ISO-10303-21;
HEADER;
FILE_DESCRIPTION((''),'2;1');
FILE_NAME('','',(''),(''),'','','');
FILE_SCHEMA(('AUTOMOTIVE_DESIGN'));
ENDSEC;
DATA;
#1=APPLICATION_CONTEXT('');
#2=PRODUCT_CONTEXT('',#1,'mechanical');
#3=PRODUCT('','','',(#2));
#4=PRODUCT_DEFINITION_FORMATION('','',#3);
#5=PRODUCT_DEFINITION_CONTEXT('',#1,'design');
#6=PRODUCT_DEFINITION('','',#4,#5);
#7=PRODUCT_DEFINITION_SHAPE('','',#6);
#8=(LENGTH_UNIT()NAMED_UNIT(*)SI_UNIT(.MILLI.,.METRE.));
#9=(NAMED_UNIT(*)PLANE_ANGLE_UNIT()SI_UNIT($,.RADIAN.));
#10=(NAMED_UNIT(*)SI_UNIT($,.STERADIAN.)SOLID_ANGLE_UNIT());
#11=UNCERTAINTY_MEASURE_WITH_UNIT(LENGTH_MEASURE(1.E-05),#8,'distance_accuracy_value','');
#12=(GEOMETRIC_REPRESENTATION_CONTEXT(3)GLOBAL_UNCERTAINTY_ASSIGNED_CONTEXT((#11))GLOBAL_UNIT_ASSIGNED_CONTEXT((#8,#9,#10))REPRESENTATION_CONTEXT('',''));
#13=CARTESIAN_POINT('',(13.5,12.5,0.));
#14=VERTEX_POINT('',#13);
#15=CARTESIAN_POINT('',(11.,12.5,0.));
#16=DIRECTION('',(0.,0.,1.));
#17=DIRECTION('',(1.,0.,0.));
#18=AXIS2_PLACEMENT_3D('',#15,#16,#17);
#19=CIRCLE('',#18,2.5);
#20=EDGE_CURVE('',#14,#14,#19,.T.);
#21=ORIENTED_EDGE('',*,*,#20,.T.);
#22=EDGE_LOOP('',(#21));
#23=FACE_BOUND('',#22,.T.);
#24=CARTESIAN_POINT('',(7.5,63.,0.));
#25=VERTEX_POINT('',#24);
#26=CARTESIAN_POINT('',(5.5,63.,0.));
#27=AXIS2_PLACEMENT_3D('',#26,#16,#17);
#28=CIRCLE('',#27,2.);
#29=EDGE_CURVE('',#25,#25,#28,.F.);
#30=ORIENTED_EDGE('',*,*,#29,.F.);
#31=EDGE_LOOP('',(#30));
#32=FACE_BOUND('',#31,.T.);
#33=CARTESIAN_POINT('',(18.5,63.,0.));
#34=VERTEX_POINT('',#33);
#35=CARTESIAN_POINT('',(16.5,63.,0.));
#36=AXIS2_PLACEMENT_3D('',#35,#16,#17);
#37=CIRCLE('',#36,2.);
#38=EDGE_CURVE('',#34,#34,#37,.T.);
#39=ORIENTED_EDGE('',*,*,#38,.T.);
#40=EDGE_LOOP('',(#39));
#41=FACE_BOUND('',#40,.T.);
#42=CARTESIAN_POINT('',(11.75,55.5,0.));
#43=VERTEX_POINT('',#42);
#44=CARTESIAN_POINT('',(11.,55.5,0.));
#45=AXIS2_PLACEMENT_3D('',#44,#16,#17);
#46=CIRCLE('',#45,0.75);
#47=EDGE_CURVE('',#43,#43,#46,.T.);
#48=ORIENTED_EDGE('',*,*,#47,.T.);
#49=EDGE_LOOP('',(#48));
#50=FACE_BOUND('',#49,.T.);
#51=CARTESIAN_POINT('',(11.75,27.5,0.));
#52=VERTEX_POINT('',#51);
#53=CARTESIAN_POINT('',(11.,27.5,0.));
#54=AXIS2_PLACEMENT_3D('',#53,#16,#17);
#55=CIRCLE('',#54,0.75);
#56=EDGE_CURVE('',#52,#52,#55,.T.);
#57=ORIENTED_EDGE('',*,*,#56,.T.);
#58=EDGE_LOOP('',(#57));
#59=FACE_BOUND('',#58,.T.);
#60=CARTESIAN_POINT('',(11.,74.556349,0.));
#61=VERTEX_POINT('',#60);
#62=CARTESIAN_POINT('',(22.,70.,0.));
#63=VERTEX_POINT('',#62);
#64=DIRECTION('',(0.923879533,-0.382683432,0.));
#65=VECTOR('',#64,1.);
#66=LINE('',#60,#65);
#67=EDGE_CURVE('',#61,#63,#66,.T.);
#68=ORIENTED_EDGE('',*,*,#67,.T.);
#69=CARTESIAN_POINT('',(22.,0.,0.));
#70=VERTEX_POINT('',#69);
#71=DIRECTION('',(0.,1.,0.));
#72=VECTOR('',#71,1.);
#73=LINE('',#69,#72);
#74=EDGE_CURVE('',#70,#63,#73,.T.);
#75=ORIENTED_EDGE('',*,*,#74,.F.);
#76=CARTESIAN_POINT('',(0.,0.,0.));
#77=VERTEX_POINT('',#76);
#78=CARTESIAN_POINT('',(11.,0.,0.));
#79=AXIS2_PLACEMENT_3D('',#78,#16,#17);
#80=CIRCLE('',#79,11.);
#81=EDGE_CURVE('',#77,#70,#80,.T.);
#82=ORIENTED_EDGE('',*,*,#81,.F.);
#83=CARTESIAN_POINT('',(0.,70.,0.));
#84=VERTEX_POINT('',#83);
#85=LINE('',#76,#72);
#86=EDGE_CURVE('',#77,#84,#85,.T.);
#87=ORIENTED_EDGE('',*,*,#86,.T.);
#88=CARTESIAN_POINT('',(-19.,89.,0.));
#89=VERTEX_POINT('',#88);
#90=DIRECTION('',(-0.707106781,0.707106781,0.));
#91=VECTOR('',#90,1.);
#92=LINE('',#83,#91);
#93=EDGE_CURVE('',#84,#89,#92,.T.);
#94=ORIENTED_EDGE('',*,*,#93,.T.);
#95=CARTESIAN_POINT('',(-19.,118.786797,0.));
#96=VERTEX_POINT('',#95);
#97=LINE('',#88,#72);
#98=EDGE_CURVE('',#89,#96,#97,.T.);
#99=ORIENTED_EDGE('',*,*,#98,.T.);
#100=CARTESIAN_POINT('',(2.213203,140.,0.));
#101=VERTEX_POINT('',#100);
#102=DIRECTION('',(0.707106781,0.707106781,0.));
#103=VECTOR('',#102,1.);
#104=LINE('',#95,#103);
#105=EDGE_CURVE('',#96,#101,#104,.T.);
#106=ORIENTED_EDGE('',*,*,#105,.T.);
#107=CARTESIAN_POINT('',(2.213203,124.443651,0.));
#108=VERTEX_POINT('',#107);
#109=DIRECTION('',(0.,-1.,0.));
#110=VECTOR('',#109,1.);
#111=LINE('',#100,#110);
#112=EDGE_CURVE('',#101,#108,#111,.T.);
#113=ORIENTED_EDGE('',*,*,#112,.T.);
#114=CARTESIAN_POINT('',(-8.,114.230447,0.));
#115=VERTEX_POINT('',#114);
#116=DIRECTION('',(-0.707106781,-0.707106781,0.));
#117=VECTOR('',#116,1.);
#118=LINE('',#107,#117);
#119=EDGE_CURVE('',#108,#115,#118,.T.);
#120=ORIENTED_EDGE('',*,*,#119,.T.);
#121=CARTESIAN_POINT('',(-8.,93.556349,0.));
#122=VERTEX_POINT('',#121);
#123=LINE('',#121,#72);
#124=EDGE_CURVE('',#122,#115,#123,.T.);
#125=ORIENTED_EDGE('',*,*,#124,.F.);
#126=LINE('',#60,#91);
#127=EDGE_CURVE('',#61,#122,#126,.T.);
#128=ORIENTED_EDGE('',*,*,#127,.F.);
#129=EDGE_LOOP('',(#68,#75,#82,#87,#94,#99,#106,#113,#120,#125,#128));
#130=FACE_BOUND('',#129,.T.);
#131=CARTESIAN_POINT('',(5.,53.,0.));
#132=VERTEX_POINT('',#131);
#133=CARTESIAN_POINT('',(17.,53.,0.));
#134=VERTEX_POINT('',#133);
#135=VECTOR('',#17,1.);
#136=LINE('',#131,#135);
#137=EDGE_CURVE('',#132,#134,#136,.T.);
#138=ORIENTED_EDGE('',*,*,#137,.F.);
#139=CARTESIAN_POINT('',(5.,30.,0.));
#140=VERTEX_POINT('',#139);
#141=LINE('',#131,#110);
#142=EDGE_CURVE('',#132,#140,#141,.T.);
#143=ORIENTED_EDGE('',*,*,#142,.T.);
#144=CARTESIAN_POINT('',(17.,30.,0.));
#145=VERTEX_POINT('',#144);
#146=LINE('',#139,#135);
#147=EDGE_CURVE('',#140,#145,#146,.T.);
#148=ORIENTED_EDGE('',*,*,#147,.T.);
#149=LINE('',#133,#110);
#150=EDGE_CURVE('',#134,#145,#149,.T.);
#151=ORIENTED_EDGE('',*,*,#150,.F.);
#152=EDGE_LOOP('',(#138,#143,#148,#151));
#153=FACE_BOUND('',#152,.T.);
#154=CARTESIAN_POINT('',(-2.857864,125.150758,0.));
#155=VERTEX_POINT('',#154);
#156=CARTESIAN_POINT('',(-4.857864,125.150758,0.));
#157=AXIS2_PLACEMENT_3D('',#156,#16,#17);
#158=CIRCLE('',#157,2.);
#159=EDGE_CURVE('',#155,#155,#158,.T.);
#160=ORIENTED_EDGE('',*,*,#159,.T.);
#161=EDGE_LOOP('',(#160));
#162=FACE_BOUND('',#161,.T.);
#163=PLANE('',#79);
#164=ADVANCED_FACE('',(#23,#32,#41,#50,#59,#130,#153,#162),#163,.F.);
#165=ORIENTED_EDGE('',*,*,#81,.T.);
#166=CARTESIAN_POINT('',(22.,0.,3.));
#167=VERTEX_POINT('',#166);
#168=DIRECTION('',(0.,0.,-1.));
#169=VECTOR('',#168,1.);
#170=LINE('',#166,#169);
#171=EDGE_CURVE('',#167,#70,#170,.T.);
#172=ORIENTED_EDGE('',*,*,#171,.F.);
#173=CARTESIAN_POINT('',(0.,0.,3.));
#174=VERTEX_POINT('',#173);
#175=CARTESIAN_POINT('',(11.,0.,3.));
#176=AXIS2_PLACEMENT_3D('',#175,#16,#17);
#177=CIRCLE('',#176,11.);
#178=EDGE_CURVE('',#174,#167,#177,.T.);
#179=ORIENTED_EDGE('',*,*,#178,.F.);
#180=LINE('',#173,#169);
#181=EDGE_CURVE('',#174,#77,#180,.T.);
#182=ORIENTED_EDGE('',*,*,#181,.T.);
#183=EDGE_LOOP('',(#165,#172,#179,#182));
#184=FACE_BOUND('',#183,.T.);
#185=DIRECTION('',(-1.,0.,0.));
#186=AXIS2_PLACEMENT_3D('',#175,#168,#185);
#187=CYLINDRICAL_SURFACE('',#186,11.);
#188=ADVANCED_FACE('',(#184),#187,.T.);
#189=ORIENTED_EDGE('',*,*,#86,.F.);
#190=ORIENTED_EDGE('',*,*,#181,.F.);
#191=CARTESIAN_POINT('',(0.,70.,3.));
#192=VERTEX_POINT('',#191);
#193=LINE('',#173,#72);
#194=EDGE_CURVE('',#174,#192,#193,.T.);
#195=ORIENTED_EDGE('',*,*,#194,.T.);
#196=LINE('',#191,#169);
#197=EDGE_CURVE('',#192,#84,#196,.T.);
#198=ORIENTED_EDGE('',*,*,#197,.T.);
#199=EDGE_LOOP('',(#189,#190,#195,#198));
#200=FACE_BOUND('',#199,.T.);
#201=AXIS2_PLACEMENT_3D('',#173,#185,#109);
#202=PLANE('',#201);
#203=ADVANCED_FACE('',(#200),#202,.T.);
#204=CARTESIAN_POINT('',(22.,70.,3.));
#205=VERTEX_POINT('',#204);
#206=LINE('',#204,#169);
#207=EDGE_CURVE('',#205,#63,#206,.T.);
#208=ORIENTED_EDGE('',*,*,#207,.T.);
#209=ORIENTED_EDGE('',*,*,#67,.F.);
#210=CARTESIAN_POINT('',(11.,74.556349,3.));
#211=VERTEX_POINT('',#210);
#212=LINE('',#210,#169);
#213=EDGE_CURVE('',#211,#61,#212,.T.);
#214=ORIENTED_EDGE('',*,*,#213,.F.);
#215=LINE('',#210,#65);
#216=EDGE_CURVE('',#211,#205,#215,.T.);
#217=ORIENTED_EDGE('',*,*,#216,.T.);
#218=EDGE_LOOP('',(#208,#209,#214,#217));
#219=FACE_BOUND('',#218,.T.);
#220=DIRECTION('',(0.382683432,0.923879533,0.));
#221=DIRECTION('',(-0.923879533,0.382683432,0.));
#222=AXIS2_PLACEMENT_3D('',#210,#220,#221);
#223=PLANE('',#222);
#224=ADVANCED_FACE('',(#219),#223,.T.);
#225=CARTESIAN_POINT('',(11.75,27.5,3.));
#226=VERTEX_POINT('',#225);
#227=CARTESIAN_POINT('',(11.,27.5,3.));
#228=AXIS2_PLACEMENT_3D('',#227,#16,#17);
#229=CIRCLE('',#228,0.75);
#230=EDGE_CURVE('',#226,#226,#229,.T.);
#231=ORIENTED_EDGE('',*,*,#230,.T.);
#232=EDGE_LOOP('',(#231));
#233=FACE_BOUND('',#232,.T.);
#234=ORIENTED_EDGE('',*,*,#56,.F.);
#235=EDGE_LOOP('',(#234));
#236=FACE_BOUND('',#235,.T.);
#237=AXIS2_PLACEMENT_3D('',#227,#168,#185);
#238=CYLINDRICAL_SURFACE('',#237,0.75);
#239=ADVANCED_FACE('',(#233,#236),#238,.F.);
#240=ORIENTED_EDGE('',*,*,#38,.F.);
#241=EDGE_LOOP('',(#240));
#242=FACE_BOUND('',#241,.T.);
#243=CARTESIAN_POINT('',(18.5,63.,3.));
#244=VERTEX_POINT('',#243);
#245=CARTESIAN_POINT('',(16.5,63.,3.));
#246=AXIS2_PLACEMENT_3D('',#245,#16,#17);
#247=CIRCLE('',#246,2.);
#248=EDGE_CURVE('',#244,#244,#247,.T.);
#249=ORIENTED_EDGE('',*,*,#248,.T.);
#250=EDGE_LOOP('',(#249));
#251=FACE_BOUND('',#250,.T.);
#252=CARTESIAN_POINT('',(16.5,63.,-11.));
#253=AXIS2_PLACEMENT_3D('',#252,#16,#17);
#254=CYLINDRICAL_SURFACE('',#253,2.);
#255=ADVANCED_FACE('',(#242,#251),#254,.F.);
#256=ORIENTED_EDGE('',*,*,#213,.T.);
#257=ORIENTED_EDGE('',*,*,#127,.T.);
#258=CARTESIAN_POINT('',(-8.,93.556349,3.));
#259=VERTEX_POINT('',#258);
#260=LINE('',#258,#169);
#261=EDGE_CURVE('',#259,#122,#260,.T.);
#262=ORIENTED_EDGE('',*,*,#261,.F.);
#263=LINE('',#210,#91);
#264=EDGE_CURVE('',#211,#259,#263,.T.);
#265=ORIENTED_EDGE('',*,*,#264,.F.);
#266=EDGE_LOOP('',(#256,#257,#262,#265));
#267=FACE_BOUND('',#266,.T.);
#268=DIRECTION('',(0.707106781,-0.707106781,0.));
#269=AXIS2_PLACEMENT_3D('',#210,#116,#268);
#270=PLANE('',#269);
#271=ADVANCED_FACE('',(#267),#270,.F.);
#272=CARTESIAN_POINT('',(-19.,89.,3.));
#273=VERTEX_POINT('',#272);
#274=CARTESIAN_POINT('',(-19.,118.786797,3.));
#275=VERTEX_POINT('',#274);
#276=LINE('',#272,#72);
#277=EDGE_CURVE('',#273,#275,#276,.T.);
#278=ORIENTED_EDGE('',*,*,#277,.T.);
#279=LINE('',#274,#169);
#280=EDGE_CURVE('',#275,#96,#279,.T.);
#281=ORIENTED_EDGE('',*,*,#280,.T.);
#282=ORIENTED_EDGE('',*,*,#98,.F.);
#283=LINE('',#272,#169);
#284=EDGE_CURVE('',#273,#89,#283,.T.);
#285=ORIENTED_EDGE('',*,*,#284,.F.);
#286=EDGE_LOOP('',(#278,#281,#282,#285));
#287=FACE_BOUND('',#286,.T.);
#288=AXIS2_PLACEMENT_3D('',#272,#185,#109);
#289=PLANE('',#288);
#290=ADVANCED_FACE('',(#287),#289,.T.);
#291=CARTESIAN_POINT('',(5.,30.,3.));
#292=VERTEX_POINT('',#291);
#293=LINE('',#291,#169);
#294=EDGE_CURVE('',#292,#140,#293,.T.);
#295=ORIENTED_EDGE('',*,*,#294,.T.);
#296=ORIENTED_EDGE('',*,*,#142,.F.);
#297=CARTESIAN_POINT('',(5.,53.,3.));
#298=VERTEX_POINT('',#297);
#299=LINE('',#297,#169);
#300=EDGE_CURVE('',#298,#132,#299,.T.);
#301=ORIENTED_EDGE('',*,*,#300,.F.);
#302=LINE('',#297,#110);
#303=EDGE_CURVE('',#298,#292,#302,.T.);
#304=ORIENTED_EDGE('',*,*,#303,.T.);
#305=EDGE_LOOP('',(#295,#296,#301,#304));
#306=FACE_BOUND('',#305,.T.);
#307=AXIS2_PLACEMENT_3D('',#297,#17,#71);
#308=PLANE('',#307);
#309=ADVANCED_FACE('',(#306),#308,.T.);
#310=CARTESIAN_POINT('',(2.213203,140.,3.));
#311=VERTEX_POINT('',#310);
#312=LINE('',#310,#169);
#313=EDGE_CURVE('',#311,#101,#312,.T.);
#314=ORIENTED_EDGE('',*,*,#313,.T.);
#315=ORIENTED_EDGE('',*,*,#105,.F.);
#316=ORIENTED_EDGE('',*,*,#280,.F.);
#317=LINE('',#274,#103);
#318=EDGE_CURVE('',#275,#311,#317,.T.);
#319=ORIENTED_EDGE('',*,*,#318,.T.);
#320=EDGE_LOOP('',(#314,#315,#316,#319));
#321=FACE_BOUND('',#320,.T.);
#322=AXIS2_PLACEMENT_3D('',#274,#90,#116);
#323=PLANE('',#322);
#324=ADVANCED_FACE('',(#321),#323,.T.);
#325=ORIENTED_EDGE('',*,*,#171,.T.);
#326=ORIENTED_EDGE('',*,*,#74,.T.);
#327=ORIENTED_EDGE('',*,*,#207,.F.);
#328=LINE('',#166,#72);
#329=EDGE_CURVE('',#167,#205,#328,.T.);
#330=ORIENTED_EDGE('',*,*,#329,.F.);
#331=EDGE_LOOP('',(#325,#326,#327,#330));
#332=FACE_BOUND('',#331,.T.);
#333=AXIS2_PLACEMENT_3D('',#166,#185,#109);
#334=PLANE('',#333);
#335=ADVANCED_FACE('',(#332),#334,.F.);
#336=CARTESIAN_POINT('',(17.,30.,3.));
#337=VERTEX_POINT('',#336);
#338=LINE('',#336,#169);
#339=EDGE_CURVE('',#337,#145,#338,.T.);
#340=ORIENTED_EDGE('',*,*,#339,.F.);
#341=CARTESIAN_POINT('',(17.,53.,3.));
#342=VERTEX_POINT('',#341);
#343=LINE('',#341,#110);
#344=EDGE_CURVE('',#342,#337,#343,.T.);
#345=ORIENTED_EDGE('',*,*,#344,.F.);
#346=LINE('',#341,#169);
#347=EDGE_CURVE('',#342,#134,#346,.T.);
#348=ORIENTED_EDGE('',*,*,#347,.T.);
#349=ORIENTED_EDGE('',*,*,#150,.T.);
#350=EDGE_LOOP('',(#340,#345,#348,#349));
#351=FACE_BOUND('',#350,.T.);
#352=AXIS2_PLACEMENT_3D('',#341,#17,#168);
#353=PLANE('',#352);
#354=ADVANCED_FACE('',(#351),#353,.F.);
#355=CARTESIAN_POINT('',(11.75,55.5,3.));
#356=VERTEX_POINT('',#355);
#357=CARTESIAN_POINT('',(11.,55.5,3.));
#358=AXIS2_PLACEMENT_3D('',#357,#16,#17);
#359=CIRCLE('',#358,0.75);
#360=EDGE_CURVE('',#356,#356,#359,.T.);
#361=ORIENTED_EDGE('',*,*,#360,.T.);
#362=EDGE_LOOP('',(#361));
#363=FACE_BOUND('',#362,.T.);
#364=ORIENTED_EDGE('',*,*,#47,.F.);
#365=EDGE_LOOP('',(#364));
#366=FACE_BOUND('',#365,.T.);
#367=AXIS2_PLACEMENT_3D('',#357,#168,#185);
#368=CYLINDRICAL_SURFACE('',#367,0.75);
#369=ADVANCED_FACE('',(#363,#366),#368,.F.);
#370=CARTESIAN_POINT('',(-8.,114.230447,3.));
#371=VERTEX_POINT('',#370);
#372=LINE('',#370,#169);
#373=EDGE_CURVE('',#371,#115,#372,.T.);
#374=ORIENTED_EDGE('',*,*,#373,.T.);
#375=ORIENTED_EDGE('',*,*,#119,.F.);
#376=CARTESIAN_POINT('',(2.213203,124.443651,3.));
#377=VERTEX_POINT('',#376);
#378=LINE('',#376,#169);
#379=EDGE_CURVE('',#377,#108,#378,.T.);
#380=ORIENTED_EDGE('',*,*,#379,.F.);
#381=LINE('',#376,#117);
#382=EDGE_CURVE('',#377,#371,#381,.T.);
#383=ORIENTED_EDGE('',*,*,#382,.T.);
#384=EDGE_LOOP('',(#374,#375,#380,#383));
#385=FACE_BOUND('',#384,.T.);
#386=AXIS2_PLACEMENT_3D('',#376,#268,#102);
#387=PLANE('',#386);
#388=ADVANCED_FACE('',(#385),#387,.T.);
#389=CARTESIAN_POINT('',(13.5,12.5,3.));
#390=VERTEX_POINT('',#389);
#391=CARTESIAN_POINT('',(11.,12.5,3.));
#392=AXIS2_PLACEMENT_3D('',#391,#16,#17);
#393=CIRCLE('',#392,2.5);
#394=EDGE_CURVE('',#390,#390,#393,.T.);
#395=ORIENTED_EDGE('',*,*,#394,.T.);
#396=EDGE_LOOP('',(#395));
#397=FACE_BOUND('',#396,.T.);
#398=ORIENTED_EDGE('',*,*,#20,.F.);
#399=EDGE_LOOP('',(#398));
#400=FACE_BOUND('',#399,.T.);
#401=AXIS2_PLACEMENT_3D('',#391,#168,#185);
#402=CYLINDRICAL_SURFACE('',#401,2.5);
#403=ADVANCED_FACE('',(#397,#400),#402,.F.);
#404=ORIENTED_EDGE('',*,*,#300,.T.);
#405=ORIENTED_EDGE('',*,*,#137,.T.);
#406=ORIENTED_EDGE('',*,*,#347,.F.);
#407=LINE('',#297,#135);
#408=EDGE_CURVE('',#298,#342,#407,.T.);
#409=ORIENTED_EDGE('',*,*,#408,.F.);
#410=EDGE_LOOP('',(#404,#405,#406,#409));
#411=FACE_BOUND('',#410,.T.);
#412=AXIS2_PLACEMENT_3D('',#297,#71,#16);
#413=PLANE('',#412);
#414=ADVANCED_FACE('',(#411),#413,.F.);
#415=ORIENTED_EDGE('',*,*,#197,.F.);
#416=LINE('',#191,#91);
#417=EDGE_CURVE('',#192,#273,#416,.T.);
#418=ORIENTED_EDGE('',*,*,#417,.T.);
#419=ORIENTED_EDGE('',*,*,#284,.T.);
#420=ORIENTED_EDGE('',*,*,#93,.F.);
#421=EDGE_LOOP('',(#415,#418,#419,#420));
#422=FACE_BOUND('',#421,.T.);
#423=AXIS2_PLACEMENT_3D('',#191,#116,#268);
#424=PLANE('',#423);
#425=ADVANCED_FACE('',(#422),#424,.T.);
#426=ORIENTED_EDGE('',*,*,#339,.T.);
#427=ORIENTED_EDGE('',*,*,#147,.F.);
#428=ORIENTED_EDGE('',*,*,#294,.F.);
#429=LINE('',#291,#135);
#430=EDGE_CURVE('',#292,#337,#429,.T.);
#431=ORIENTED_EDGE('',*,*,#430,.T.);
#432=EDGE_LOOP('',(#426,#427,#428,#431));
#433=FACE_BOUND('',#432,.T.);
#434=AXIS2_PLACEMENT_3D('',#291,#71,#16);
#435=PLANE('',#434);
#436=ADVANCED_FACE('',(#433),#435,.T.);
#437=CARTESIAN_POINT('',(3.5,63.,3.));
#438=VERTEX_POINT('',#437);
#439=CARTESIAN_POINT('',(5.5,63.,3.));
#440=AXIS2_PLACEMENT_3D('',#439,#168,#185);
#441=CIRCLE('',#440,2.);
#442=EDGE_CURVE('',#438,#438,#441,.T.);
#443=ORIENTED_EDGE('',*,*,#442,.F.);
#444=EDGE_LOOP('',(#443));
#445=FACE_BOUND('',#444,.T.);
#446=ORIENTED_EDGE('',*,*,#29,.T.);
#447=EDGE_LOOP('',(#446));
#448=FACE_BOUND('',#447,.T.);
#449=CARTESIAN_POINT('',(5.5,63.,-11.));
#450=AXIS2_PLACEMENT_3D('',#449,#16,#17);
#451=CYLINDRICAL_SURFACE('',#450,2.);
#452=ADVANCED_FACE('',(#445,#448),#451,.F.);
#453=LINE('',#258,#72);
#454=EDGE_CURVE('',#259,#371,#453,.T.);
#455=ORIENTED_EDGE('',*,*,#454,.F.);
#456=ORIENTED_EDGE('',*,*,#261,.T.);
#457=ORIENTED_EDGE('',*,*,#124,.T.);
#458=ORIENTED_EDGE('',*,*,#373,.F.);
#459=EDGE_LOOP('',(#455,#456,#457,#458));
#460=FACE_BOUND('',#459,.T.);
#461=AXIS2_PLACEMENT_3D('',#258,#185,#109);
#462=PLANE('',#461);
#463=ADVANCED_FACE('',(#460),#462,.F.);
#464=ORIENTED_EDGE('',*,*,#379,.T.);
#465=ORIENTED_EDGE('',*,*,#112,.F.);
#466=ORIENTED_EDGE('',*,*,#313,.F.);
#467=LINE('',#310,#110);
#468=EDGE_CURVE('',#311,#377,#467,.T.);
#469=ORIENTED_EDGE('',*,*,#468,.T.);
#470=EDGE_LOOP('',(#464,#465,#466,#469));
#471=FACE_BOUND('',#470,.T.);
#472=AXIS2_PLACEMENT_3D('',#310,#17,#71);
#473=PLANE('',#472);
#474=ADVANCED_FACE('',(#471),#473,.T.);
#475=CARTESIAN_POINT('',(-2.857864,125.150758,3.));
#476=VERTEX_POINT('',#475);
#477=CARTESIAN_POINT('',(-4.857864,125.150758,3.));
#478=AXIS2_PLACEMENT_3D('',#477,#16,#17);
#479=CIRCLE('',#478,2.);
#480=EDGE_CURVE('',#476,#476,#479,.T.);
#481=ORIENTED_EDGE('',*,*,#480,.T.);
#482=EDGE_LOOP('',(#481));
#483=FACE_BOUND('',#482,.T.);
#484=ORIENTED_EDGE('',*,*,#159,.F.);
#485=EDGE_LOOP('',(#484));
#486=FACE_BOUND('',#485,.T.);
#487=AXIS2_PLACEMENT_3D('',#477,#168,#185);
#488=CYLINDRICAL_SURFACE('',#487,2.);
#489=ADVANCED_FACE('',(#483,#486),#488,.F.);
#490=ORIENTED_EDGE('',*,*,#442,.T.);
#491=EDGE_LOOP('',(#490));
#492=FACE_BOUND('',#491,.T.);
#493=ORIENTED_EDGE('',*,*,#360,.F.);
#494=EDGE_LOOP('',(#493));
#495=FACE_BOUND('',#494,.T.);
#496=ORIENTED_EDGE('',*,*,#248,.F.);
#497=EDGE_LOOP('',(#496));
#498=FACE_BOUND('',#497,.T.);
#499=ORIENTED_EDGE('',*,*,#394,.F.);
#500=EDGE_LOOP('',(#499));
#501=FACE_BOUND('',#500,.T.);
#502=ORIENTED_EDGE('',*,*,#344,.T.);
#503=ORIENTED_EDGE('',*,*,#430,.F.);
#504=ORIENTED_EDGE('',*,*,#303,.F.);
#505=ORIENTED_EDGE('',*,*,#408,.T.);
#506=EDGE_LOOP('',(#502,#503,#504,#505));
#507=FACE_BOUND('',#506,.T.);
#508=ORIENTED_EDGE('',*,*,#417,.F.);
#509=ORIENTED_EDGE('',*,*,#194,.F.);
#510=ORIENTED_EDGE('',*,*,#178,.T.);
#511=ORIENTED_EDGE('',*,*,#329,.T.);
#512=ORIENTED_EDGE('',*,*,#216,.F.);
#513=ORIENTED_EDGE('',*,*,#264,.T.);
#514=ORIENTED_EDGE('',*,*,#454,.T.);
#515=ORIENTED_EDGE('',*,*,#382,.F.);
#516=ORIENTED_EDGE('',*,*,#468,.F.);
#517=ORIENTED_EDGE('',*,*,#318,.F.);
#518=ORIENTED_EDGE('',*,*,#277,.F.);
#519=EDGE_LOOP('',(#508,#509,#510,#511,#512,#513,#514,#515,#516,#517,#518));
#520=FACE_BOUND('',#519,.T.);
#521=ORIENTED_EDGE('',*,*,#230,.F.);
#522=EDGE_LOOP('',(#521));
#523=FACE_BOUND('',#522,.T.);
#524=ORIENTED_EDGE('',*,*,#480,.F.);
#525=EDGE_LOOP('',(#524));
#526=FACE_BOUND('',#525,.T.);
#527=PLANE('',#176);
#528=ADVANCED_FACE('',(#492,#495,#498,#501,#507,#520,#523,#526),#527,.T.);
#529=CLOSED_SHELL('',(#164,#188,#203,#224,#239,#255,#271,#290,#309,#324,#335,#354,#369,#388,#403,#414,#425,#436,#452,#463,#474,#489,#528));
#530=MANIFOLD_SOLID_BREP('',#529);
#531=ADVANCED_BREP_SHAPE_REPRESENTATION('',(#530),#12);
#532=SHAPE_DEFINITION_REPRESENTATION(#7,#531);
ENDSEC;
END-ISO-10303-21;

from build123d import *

# Parameters (mm, degrees)
SALIENTE_EXTRUIR1_DEPTH    = 3
CORTAR_EXTRUIR1_DEPTH      = 142.749779541
CORTAR_EXTRUIR1_DEPTH_BACK = 11
CROQUIS1_4_R               = 2
CROQUIS1_5_R               = 2
CORTAR_EXTRUIR3_DEPTH      = 142.749779541
CROQUIS1_6_W               = 12
CROQUIS1_6_H               = 23
TAMA_O_DEL_SERVO_DEPTH     = 142.749779541
CROQUIS1_7_R               = 0.75
CORTAR_EXTRUIR4_DEPTH      = 142.749779541
CROQUIS1_8_R               = 0.75
CORTAR_EXTRUIR5_DEPTH      = 142.749779541
CROQUIS1_11_R              = 2.5
CORTAR_EXTRUIR8_DEPTH      = 142.749779541


with BuildPart() as part:
    # Croquis1 → Saliente-Extruir1 (new body)
    with BuildSketch(Plane.XY):
        with BuildLine():
            Line((22, 0), (22, 70))
            Line((22, 70), (11, 74.556349186))
            Line((11, 74.556349186), (-8, 93.556349186))
            Line((-8, 93.556349186), (-8, 114.230447378))
            Line((-8, 114.230447378), (2.213203436, 124.443650814))
            Line((2.213203436, 124.443650814), (2.213203436, 140))
            Line((2.213203436, 140), (-19, 118.786796564))
            Line((-19, 118.786796564), (-19, 89))
            Line((-19, 89), (0, 70))
            Line((0, 70), (0, 0))
            ThreePointArc((0, 0), (11, -11), (22, 0))
        make_face()
    extrude(amount=SALIENTE_EXTRUIR1_DEPTH)

    # Croquis1<4> → Cortar-Extruir1 (cut, two sides: drawn at the far end of the back side and taken through both)
    with BuildSketch(Plane.XY.offset(-CORTAR_EXTRUIR1_DEPTH_BACK)):
        with Locations((5.5, 63)):
            Circle(CROQUIS1_4_R)
        with Locations((16.5, 63)):
            Circle(CROQUIS1_4_R)
    extrude(amount=CORTAR_EXTRUIR1_DEPTH + CORTAR_EXTRUIR1_DEPTH_BACK, mode=Mode.SUBTRACT)

    # Croquis1<5> → Cortar-Extruir3 (cut, through all)
    with BuildSketch(Plane.XY):
        with Locations((-4.857864376, 125.150757595)):
            Circle(CROQUIS1_5_R)
    extrude(amount=CORTAR_EXTRUIR3_DEPTH, mode=Mode.SUBTRACT)

    # Croquis1<6> → TAMAÑO DEL SERVO (cut, through all)
    with BuildSketch(Plane.XY):
        with Locations((11, 41.5)):
            Rectangle(CROQUIS1_6_W, CROQUIS1_6_H)
    extrude(amount=TAMA_O_DEL_SERVO_DEPTH, mode=Mode.SUBTRACT)

    # Croquis1<7> → Cortar-Extruir4 (cut, through all)
    with BuildSketch(Plane.XY):
        with Locations((11, 55.5)):
            Circle(CROQUIS1_7_R)
    extrude(amount=CORTAR_EXTRUIR4_DEPTH, mode=Mode.SUBTRACT)

    # Croquis1<8> → Cortar-Extruir5 (cut, through all)
    with BuildSketch(Plane.XY):
        with Locations((11, 27.5)):
            Circle(CROQUIS1_8_R)
    extrude(amount=CORTAR_EXTRUIR5_DEPTH, mode=Mode.SUBTRACT)

    # Croquis1<11> → Cortar-Extruir8 (cut, through all)
    with BuildSketch(Plane.XY):
        with Locations((11, 12.5)):
            Circle(CROQUIS1_11_R)
    extrude(amount=CORTAR_EXTRUIR8_DEPTH, mode=Mode.SUBTRACT)


solid = part.part
